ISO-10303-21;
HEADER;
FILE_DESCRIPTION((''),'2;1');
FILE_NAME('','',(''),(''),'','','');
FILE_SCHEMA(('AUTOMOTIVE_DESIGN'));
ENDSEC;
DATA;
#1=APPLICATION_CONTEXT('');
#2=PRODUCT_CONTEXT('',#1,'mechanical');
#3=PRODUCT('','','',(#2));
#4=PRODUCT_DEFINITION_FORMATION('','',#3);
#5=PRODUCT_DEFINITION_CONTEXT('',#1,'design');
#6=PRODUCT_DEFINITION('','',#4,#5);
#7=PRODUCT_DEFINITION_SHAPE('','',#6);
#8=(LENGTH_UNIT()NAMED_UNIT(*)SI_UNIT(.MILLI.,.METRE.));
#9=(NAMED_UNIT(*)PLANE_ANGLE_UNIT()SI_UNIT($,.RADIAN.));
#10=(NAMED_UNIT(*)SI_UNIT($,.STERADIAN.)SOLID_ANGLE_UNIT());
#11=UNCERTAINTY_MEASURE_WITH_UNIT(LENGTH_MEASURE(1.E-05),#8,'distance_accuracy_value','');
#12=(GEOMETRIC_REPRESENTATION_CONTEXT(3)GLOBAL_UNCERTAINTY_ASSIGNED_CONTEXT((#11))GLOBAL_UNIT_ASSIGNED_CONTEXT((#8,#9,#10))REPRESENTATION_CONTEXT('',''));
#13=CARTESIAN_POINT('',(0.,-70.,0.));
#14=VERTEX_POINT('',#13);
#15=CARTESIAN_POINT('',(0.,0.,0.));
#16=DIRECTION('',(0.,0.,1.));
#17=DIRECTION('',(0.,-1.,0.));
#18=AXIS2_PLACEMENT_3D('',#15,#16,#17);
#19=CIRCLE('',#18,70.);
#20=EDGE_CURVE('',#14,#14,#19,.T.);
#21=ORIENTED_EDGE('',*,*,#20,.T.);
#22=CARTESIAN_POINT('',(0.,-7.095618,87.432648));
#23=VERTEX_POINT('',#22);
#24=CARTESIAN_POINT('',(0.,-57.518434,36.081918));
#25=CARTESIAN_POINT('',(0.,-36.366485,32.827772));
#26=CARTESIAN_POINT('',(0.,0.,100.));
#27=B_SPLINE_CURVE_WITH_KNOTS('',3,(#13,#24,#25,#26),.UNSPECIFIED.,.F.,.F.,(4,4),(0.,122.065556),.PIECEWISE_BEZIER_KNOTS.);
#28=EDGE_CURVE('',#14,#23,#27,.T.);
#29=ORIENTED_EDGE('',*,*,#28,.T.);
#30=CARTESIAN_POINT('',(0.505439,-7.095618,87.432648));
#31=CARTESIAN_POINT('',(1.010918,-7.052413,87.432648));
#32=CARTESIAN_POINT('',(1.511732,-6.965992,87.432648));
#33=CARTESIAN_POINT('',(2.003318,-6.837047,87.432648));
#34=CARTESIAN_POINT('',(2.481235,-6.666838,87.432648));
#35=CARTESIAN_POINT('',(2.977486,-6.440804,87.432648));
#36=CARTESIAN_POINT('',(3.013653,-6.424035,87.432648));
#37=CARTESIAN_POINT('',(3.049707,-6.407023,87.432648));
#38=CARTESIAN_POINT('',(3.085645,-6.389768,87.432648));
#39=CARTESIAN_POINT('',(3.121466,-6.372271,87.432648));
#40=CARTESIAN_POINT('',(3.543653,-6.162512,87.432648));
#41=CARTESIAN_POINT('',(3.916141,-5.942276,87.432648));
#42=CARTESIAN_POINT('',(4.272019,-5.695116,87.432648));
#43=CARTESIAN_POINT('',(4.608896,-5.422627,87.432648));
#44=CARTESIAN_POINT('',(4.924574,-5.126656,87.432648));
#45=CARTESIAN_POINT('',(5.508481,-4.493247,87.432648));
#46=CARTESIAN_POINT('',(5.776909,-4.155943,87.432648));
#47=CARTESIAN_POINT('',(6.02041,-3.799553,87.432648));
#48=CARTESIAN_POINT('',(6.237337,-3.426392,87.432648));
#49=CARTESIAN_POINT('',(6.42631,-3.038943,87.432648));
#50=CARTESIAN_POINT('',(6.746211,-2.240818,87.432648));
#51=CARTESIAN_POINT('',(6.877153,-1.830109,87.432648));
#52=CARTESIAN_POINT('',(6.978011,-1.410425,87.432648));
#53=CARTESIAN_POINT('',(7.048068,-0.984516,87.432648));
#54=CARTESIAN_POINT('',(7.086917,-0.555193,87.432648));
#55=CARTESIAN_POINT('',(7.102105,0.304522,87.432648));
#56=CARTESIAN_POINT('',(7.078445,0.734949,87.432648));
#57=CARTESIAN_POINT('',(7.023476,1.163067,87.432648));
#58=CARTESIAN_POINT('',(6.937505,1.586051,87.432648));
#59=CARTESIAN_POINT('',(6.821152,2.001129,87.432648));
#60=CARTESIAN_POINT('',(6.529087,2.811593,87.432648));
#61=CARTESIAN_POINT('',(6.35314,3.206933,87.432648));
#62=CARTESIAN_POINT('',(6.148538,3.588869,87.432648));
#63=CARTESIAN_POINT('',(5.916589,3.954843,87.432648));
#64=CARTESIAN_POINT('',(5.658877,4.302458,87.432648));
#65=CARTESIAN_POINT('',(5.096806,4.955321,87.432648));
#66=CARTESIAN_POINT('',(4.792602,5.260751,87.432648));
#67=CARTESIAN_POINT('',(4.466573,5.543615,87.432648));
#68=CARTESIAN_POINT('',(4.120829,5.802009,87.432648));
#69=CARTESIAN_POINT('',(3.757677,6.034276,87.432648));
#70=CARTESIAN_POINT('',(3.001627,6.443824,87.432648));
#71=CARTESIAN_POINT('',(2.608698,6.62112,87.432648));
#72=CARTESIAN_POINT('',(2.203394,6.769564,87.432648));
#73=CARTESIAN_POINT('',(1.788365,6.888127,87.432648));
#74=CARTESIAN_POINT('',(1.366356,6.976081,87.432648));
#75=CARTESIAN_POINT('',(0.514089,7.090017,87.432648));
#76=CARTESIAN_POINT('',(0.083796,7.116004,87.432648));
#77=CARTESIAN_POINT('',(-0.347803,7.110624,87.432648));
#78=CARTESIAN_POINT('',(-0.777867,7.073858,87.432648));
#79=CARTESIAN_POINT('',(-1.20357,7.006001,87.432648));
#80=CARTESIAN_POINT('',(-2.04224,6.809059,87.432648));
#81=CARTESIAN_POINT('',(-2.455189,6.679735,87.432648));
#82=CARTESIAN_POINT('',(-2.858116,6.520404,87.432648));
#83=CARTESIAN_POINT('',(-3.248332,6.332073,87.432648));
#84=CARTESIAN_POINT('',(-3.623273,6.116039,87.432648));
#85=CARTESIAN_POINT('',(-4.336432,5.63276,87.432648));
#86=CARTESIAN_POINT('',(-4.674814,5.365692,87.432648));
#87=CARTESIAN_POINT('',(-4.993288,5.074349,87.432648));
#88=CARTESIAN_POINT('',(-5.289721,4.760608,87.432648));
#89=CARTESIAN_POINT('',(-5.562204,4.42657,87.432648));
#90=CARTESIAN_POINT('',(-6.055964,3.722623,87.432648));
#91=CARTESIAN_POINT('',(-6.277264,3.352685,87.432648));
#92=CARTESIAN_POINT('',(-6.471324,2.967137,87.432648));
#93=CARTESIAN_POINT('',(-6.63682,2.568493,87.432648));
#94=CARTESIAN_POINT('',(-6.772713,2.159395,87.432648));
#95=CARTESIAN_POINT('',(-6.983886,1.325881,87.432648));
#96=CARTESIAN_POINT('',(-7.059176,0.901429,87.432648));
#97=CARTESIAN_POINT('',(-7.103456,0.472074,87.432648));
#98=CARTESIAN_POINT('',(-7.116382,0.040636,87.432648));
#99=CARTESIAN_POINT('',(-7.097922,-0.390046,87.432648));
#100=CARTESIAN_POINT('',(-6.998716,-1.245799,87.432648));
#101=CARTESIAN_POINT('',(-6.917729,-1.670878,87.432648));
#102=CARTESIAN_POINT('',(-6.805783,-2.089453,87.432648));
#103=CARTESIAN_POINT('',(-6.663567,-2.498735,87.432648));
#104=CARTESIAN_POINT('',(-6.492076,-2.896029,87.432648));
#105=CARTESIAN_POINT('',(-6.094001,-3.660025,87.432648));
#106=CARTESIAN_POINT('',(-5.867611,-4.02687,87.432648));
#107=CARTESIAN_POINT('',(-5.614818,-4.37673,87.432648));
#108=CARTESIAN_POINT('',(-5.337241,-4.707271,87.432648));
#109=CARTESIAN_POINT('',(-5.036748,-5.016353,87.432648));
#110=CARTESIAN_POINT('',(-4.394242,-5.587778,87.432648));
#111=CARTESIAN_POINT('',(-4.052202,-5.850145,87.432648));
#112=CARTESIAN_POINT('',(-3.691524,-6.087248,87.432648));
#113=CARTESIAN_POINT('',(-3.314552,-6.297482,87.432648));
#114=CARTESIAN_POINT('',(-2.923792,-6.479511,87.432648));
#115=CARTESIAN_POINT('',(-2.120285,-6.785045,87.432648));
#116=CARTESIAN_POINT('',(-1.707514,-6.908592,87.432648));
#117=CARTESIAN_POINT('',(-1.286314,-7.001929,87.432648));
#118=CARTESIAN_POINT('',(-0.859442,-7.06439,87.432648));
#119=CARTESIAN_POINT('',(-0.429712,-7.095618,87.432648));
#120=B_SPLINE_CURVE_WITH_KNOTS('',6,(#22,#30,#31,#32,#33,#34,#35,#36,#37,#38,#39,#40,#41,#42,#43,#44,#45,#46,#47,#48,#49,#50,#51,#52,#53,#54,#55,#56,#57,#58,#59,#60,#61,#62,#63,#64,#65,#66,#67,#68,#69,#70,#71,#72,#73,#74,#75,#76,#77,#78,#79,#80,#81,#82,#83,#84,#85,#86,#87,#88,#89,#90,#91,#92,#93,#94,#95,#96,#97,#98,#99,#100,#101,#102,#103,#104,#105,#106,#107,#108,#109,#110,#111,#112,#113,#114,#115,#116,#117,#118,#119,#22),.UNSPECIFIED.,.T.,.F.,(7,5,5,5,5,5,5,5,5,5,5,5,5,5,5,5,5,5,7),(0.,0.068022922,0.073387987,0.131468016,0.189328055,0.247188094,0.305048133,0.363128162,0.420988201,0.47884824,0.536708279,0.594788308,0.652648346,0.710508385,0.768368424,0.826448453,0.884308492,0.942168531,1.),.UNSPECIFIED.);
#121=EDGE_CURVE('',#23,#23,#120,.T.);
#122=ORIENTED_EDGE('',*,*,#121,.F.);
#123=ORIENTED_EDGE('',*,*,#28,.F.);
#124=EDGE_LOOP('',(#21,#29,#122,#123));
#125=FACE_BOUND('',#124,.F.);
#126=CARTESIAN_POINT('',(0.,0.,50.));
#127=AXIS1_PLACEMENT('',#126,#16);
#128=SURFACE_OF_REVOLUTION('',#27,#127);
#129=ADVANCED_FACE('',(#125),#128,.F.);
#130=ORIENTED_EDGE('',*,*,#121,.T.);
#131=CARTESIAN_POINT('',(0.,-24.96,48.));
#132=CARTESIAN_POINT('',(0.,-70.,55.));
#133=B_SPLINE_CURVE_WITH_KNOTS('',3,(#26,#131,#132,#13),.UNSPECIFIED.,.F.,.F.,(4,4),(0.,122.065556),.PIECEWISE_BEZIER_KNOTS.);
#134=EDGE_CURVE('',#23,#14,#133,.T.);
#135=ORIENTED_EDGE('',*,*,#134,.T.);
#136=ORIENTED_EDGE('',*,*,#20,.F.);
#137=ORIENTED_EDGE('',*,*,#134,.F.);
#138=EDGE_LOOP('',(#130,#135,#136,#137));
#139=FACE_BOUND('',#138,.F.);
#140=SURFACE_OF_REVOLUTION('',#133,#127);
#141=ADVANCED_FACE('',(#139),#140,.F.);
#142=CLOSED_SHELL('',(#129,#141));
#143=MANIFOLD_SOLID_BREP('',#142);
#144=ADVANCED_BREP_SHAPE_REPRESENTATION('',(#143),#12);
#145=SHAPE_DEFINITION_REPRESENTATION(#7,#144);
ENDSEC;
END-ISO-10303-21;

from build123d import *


with BuildPart() as f1:
    # F0 (on Right) → F1 (revolve)
    with BuildSketch(Plane.YZ):
        with BuildLine():
            Line((-48, 0), (0, 100))
            add(Edge.make_bspline(
                [(0, 100), (-24.96, 48), (-70, 55), (-70, 0)],
                knots=[0, 0, 0, 0, 122.065556, 122.065556, 122.065556, 122.065556], degree=3))
            Line((-70, 0), (-48, 0))
        make_face()
        Polygon((-48, 0), (0, 0), (0, 100), align=None)
    revolve(axis=Axis((0, 0, 50), (0, 0, 1)))

    # F2 (on Right) → F3 (revolve, cut)
    with BuildSketch(Plane.YZ):
        with BuildLine():
            add(Edge.make_bspline(
                [(-70, 0), (-57.518434, 36.081918), (-36.366485, 32.827772), (0, 100)],
                knots=[0, 0, 0, 0, 122.065556, 122.065556, 122.065556, 122.065556], degree=3))
            Line((-70, 0), (0, 0))
            Line((0, 0), (0, 100))
        make_face()
    revolve(axis=Axis((0, 0, 50), (0, 0, 1)), mode=Mode.SUBTRACT)


solid = f1.part
